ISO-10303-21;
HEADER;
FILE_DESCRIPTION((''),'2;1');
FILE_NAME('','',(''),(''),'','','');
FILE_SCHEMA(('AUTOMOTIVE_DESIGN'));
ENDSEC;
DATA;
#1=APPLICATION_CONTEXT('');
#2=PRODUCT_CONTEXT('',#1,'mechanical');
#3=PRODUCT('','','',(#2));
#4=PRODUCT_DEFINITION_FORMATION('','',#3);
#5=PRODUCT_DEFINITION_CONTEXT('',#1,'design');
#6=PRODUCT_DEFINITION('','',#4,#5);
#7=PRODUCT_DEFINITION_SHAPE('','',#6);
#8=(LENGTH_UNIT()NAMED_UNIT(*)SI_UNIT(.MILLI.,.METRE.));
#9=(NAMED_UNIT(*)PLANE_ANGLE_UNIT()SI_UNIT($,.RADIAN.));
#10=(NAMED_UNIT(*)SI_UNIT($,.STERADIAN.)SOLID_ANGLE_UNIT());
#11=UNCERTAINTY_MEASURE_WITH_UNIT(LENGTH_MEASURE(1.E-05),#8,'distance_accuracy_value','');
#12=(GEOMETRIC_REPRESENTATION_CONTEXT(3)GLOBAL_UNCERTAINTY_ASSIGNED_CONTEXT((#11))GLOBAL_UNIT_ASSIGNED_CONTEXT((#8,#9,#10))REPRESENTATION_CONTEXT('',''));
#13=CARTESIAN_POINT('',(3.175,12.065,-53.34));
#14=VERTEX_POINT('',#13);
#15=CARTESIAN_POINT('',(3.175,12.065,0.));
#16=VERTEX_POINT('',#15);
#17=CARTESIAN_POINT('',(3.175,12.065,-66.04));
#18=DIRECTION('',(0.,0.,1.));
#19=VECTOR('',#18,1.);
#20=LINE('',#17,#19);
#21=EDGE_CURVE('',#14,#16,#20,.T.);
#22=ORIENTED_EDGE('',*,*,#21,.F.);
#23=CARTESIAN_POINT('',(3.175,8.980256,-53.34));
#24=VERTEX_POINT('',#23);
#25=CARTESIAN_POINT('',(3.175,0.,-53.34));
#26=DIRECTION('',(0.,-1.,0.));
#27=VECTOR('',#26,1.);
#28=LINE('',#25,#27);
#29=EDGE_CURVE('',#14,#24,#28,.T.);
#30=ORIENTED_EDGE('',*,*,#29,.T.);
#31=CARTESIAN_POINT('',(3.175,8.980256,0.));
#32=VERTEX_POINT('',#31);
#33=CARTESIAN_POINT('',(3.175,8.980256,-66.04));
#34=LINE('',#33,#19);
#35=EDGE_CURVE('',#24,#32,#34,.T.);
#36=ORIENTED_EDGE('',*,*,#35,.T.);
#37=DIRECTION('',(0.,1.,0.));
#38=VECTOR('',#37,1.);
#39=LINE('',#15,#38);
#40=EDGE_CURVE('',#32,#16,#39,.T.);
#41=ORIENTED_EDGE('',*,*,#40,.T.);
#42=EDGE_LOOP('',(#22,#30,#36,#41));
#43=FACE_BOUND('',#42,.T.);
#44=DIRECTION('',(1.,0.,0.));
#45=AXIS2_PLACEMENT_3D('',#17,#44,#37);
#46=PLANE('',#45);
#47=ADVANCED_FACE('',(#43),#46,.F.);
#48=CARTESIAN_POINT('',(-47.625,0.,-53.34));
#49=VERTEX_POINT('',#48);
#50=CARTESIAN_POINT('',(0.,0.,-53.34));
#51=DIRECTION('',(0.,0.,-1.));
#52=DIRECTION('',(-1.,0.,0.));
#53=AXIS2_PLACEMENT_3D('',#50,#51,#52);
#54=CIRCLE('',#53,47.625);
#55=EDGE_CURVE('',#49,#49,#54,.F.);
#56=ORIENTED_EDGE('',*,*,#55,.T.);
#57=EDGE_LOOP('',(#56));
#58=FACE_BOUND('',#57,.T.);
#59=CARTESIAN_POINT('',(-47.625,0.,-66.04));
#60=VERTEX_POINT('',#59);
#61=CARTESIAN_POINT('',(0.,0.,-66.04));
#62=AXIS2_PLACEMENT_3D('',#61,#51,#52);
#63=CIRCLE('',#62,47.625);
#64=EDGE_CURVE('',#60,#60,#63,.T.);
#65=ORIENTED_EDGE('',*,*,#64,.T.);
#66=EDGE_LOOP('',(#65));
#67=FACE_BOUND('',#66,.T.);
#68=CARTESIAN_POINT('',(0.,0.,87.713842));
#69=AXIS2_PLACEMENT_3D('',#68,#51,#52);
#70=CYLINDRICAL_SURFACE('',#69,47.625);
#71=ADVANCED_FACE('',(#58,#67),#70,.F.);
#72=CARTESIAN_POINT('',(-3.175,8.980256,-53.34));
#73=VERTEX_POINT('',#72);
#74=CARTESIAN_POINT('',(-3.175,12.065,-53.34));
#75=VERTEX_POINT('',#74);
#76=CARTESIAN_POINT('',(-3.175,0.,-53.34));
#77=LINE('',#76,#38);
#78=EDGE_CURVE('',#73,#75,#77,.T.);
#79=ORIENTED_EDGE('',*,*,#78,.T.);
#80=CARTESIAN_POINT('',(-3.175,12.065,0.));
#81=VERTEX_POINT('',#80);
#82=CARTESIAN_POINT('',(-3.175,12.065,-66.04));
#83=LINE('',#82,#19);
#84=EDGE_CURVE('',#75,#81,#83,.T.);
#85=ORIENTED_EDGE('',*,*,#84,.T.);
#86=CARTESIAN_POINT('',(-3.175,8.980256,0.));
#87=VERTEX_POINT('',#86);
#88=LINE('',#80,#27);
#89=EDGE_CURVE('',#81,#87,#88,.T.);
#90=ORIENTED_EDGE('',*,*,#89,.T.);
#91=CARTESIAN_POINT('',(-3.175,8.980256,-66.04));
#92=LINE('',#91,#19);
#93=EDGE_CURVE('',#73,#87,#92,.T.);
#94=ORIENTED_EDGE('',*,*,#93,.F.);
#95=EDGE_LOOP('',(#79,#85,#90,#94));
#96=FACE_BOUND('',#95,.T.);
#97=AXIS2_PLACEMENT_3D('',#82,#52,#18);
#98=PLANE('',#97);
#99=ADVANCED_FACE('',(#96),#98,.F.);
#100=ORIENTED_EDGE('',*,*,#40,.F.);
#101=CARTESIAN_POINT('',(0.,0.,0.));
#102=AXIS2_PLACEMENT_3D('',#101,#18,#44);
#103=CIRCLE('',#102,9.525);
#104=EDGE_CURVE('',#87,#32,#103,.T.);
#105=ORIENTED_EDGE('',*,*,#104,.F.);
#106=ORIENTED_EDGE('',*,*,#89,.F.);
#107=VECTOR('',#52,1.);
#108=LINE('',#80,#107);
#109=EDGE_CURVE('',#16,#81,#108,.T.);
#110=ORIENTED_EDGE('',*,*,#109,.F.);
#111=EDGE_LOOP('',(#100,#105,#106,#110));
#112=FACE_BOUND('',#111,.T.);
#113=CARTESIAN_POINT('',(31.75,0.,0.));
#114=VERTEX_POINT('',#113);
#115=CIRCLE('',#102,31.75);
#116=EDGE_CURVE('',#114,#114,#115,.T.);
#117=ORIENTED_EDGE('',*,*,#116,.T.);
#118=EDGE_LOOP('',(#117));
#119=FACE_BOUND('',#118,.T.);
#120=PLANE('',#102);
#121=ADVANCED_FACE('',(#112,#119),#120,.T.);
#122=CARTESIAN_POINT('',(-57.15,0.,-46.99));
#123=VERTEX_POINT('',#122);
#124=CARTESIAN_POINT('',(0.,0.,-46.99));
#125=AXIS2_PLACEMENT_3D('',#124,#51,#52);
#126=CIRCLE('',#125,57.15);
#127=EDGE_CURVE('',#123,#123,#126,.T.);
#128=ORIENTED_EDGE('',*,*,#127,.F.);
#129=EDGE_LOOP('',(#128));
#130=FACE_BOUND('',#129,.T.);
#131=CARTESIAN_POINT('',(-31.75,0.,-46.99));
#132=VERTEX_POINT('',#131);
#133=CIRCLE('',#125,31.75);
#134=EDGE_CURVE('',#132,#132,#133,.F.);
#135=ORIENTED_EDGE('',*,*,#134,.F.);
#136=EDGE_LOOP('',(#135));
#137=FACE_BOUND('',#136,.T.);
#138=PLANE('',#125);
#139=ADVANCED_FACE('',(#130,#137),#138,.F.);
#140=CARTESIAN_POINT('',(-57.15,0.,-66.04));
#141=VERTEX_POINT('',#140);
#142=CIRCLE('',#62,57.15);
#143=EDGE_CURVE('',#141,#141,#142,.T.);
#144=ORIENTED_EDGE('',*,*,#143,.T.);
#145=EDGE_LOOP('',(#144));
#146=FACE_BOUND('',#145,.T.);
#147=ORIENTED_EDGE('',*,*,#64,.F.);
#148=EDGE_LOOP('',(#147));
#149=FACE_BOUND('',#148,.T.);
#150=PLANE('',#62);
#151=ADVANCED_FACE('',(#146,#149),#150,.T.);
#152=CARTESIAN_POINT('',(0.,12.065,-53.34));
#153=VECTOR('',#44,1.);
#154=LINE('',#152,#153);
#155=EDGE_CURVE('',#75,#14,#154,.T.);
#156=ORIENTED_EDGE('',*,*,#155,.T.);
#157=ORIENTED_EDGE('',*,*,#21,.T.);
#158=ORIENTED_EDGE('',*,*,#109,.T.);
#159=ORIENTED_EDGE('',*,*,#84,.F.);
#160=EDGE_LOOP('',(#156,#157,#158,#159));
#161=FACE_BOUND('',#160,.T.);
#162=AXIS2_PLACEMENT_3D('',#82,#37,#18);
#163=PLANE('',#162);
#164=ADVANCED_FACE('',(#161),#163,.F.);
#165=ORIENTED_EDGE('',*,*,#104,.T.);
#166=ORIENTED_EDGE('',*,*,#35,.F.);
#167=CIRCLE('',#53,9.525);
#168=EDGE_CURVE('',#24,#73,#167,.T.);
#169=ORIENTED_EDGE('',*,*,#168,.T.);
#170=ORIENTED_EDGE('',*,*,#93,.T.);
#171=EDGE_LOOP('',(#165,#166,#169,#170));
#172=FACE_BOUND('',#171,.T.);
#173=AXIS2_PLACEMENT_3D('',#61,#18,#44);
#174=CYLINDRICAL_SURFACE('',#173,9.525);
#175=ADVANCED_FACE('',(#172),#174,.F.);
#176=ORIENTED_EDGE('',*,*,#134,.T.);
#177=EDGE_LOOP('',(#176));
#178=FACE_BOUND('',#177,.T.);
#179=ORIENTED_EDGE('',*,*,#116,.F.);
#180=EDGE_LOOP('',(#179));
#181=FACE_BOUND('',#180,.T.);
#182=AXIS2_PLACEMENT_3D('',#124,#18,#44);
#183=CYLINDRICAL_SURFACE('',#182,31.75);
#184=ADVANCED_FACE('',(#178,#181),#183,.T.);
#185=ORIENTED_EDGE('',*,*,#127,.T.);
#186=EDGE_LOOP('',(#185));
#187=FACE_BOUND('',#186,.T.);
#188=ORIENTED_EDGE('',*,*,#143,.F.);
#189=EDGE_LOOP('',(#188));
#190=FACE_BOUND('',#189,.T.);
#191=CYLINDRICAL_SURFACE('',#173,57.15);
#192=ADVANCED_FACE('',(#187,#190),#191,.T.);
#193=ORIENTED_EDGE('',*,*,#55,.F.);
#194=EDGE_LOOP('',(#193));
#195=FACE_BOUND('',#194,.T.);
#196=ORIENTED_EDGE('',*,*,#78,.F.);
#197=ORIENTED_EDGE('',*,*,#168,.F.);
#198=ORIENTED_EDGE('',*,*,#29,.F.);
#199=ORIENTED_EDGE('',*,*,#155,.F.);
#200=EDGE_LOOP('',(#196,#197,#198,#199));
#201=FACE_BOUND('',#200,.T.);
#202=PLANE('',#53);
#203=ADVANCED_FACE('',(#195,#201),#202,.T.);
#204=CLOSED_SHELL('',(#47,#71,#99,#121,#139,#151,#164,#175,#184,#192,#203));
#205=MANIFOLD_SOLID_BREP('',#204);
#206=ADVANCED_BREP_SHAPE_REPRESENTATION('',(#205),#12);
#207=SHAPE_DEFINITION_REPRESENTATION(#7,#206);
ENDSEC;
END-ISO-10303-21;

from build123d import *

# Parameters (mm, degrees)
SKETCH1_R           = 31.75
BASE_EXTRUDE_DEPTH  = 46.99
SKETCH2_R           = 57.15
BOSS_EXTRUDE1_DEPTH = 19.05
SKETCH4_R           = 47.625
CUT_EXTRUDE1_DEPTH  = 12.7
CUT_EXTRUDE2_DEPTH  = 105.372058521


with BuildPart() as part:
    # Sketch1 → Base-Extrude (new body)
    with BuildSketch(Plane.XY):
        Circle(SKETCH1_R)
    extrude(amount=-BASE_EXTRUDE_DEPTH)

    # Sketch2 → Boss-Extrude1 (add)
    with BuildSketch(Plane(origin=(0, 0, -46.99), x_dir=(-1, 0, 0), z_dir=(0, 0, -1))):
        Circle(SKETCH2_R)
    extrude(amount=BOSS_EXTRUDE1_DEPTH)

    # Sketch4 → Cut-Extrude1 (cut)
    with BuildSketch(Plane(origin=(0, 0, -66.04), x_dir=(-1, 0, 0), z_dir=(0, 0, -1))):
        Circle(SKETCH4_R)
    extrude(amount=-CUT_EXTRUDE1_DEPTH, mode=Mode.SUBTRACT)

    # Sketch6 → Cut-Extrude2 (cut, through all)
    with BuildSketch(Plane.XY):
        with BuildLine():
            Line((-3.175, 12.065), (3.175, 12.065))
            Line((3.175, 12.065), (3.175, 8.980256121))
            ThreePointArc((3.175, 8.980256121), (0, -9.525), (-3.175, 8.980256121))
            Line((-3.175, 8.980256121), (-3.175, 12.065))
        make_face()
    extrude(amount=-CUT_EXTRUDE2_DEPTH, mode=Mode.SUBTRACT)


solid = part.part
